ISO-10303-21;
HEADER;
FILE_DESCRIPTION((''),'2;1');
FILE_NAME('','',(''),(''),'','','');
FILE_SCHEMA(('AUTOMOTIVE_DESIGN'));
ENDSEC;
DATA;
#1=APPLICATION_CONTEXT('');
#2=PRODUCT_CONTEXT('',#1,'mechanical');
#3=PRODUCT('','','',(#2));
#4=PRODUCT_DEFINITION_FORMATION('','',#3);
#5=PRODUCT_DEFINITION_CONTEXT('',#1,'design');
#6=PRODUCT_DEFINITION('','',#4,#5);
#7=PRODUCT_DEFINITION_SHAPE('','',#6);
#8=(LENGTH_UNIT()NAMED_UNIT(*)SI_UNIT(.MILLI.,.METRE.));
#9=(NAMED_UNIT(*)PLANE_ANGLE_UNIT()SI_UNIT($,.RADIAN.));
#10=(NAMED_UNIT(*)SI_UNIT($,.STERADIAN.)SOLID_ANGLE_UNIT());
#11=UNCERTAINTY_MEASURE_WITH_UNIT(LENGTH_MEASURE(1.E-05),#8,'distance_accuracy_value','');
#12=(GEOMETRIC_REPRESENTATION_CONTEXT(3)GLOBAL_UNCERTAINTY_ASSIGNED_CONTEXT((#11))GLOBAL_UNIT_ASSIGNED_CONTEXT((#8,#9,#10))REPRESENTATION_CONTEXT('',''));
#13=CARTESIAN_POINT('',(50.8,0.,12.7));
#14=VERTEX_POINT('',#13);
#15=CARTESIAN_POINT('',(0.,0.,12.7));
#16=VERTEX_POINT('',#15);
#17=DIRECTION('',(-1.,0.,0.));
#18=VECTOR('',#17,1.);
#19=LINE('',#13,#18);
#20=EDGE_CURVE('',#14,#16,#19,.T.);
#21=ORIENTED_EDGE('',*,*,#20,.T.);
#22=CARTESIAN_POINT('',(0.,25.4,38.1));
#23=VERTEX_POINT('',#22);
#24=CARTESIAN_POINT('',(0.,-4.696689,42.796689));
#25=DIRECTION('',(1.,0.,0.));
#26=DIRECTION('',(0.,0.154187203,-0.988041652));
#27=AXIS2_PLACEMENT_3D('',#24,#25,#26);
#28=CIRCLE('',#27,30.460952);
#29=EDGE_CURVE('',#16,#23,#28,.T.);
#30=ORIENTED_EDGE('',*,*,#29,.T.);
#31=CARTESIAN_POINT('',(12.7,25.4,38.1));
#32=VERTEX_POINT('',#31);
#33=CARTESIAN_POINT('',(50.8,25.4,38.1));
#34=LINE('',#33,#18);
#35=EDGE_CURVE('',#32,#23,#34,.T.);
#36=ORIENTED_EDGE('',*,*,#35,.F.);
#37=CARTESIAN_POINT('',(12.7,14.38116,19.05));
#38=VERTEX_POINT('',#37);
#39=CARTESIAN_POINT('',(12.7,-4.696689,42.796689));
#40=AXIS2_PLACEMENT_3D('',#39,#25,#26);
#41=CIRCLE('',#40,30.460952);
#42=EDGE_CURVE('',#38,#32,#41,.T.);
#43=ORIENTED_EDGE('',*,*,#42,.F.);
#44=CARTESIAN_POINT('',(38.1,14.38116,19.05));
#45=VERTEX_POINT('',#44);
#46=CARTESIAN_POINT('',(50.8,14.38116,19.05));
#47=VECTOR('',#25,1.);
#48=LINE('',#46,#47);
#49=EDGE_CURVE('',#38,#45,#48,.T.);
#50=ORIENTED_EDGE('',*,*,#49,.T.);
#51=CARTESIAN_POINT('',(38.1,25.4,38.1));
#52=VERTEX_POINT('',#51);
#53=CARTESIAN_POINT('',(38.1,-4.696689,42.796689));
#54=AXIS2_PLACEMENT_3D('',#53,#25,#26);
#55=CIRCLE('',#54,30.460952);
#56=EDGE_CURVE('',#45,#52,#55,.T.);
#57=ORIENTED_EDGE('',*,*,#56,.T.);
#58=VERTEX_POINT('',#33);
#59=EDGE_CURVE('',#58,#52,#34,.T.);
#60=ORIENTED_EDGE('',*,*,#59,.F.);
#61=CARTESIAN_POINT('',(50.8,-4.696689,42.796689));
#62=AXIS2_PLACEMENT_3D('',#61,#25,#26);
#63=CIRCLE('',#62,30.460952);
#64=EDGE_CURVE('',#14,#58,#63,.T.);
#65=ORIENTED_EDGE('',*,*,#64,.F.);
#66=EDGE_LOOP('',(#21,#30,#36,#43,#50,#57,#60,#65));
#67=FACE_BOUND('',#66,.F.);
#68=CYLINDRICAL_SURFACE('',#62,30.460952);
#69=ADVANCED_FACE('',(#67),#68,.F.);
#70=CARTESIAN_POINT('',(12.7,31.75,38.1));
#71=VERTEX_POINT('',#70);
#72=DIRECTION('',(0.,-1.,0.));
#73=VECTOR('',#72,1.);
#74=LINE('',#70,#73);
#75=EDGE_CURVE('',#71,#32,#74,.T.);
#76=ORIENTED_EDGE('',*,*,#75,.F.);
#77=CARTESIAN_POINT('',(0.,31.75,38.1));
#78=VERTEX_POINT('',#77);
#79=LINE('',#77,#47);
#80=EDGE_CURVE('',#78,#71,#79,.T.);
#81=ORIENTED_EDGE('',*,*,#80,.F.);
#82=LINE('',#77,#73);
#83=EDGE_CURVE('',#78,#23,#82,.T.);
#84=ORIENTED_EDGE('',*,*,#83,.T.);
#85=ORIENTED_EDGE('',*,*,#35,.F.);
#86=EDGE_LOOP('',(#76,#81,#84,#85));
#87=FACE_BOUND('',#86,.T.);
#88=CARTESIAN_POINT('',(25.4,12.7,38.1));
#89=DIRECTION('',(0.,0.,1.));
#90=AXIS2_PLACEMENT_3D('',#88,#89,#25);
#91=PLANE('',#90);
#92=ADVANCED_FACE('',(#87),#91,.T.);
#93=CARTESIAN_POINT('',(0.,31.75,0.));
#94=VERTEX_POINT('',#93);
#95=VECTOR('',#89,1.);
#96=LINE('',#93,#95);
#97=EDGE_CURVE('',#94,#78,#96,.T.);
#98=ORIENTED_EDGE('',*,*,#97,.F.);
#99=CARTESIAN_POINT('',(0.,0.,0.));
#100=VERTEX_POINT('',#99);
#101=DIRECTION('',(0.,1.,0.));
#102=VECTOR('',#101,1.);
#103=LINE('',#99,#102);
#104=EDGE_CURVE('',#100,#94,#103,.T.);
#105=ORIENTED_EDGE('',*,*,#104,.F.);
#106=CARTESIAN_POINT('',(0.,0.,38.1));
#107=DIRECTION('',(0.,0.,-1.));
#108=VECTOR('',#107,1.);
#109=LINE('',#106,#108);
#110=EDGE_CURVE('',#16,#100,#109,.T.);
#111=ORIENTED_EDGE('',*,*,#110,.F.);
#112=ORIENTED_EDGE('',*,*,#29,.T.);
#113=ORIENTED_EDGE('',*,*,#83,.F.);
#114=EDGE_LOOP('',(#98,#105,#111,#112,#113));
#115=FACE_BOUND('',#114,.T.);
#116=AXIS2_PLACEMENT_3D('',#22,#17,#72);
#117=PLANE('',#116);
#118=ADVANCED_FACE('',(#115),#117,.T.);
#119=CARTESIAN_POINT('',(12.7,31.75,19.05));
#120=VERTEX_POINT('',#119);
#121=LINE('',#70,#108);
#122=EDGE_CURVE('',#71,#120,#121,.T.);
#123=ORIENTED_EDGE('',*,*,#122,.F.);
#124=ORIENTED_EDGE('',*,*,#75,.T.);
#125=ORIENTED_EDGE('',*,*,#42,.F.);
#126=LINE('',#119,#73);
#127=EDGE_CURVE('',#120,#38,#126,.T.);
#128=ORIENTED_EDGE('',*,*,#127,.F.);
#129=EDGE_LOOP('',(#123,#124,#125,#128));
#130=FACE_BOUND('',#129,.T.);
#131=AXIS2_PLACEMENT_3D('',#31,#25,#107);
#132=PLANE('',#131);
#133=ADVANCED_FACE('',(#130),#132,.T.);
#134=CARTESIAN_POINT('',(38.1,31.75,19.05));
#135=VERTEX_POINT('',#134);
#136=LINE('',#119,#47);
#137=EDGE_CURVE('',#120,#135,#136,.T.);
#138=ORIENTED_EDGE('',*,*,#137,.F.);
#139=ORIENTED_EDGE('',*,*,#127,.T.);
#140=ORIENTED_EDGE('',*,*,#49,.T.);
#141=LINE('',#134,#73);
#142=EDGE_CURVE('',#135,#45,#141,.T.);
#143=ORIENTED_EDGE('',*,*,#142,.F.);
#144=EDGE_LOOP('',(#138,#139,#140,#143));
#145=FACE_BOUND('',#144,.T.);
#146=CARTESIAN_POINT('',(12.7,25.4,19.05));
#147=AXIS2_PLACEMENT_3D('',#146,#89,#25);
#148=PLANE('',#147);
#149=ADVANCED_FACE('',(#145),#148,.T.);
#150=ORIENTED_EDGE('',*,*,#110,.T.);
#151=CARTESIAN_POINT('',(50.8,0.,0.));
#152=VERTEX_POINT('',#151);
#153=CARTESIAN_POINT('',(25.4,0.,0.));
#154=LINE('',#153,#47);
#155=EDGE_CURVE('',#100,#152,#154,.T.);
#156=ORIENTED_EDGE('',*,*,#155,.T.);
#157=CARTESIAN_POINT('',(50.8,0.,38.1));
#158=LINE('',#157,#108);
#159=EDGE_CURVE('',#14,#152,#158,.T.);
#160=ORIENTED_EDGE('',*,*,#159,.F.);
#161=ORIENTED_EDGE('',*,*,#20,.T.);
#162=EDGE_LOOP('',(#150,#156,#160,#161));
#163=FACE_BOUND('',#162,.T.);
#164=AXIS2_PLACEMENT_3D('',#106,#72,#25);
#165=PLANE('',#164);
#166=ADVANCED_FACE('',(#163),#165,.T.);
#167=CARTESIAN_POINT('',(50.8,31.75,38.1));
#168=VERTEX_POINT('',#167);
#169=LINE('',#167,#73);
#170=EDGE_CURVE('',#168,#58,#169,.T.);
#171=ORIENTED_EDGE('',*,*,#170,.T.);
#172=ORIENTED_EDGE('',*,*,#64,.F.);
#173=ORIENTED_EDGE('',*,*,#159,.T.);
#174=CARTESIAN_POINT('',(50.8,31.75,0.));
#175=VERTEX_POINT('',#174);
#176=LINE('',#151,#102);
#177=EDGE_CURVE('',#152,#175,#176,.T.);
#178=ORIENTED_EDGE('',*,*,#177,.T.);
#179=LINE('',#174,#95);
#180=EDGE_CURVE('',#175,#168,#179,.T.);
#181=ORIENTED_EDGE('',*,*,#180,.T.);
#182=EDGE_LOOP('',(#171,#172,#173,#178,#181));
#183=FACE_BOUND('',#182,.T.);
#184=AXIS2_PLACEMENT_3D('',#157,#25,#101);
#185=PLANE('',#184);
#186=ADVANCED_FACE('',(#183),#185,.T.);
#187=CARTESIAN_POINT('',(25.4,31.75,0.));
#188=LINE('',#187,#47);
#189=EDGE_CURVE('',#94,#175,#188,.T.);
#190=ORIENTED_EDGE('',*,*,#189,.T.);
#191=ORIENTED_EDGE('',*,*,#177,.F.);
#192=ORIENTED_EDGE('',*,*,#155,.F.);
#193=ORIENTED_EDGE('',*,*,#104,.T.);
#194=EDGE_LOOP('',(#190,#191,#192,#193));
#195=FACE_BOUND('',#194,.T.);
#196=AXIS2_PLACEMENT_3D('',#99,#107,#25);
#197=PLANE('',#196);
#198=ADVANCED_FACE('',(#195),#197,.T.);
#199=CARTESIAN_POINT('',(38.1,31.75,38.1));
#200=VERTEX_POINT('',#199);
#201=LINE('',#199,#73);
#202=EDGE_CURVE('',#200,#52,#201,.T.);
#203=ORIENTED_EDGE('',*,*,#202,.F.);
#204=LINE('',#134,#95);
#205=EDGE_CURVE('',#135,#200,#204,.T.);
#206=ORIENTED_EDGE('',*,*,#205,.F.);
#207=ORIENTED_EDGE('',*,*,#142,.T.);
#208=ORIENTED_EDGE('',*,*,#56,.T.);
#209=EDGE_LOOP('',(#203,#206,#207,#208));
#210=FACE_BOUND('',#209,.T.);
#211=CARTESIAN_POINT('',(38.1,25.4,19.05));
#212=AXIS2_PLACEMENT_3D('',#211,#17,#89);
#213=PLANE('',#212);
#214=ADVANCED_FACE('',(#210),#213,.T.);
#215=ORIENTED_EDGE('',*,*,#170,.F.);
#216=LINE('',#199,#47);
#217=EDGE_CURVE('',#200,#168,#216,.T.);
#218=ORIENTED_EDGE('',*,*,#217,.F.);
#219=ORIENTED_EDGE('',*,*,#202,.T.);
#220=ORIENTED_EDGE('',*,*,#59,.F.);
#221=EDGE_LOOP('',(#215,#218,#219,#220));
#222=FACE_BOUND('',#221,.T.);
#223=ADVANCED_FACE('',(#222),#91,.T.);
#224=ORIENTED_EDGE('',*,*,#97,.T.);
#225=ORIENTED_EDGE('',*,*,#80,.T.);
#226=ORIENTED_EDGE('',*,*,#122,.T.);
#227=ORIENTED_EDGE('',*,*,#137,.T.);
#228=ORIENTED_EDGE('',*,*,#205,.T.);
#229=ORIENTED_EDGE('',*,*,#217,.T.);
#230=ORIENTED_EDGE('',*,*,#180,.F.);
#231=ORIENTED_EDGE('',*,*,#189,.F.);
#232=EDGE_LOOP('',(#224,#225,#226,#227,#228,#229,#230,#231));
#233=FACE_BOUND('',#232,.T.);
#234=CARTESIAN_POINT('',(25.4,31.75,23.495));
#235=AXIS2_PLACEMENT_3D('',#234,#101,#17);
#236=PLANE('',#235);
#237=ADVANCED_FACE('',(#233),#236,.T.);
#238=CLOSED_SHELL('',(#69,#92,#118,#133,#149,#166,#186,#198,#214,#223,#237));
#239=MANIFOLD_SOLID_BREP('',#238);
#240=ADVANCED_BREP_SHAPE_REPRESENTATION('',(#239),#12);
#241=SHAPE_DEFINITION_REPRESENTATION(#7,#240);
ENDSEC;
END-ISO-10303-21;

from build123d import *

# Parameters (mm, degrees)
F0_W     = 50.8
F0_H     = 12.7
F1_DEPTH = 31.75
F3_DEPTH = 6.35
F5_DEPTH = 25.4
F7_DEPTH = 50.8
F8_DEPTH = 25.4


with BuildPart() as f1:
    # F0 (on Front) → F1 (new body)
    with BuildSketch(Plane.XZ):
        with Locations((25.4, 6.35)):
            Rectangle(F0_W, F0_H)
    extrude(amount=-F1_DEPTH)

    # F2 (on face) → F3 (join)
    with BuildSketch(Plane(origin=(0, 31.75, 0), x_dir=(-1, 0, 0), z_dir=(0, 1, 0))):
        Polygon((-50.8, 38.1), (-50.8, 12.7), (0, 12.7), (0, 38.1), (-12.7, 38.1), (-12.7, 19.05), (-38.1, 19.05), (-38.1, 38.1), align=None)
    extrude(amount=-F3_DEPTH)

    # F4 (on face) → F5 (join)
    with BuildSketch(Plane.XY.offset(38.1)):
        Polygon((50.8, 0), (50.8, 25.4), (38.1, 25.4), (0, 25.4), (0, 0), align=None)
    extrude(amount=-F5_DEPTH)

    # F6 (on face) → F7 (cut)
    with BuildSketch(Plane.YZ.offset(50.8)):
        with BuildLine():
            Line((0, 38.1), (0, 12.7))
            ThreePointArc((0, 12.7), (16.8424565007, 21.2575434993), (25.4, 38.1))
            Line((25.4, 38.1), (0, 38.1))
        make_face()
    extrude(amount=-F7_DEPTH, mode=Mode.SUBTRACT)

    # F8 (cut): a face of the model
    f8_faces = [f1.faces().sort_by_distance(p)[0] for p in [
        (25.4, 25.4, 28.575),
    ]]
    extrude(f8_faces, amount=-F8_DEPTH, mode=Mode.SUBTRACT)


solid = f1.part
